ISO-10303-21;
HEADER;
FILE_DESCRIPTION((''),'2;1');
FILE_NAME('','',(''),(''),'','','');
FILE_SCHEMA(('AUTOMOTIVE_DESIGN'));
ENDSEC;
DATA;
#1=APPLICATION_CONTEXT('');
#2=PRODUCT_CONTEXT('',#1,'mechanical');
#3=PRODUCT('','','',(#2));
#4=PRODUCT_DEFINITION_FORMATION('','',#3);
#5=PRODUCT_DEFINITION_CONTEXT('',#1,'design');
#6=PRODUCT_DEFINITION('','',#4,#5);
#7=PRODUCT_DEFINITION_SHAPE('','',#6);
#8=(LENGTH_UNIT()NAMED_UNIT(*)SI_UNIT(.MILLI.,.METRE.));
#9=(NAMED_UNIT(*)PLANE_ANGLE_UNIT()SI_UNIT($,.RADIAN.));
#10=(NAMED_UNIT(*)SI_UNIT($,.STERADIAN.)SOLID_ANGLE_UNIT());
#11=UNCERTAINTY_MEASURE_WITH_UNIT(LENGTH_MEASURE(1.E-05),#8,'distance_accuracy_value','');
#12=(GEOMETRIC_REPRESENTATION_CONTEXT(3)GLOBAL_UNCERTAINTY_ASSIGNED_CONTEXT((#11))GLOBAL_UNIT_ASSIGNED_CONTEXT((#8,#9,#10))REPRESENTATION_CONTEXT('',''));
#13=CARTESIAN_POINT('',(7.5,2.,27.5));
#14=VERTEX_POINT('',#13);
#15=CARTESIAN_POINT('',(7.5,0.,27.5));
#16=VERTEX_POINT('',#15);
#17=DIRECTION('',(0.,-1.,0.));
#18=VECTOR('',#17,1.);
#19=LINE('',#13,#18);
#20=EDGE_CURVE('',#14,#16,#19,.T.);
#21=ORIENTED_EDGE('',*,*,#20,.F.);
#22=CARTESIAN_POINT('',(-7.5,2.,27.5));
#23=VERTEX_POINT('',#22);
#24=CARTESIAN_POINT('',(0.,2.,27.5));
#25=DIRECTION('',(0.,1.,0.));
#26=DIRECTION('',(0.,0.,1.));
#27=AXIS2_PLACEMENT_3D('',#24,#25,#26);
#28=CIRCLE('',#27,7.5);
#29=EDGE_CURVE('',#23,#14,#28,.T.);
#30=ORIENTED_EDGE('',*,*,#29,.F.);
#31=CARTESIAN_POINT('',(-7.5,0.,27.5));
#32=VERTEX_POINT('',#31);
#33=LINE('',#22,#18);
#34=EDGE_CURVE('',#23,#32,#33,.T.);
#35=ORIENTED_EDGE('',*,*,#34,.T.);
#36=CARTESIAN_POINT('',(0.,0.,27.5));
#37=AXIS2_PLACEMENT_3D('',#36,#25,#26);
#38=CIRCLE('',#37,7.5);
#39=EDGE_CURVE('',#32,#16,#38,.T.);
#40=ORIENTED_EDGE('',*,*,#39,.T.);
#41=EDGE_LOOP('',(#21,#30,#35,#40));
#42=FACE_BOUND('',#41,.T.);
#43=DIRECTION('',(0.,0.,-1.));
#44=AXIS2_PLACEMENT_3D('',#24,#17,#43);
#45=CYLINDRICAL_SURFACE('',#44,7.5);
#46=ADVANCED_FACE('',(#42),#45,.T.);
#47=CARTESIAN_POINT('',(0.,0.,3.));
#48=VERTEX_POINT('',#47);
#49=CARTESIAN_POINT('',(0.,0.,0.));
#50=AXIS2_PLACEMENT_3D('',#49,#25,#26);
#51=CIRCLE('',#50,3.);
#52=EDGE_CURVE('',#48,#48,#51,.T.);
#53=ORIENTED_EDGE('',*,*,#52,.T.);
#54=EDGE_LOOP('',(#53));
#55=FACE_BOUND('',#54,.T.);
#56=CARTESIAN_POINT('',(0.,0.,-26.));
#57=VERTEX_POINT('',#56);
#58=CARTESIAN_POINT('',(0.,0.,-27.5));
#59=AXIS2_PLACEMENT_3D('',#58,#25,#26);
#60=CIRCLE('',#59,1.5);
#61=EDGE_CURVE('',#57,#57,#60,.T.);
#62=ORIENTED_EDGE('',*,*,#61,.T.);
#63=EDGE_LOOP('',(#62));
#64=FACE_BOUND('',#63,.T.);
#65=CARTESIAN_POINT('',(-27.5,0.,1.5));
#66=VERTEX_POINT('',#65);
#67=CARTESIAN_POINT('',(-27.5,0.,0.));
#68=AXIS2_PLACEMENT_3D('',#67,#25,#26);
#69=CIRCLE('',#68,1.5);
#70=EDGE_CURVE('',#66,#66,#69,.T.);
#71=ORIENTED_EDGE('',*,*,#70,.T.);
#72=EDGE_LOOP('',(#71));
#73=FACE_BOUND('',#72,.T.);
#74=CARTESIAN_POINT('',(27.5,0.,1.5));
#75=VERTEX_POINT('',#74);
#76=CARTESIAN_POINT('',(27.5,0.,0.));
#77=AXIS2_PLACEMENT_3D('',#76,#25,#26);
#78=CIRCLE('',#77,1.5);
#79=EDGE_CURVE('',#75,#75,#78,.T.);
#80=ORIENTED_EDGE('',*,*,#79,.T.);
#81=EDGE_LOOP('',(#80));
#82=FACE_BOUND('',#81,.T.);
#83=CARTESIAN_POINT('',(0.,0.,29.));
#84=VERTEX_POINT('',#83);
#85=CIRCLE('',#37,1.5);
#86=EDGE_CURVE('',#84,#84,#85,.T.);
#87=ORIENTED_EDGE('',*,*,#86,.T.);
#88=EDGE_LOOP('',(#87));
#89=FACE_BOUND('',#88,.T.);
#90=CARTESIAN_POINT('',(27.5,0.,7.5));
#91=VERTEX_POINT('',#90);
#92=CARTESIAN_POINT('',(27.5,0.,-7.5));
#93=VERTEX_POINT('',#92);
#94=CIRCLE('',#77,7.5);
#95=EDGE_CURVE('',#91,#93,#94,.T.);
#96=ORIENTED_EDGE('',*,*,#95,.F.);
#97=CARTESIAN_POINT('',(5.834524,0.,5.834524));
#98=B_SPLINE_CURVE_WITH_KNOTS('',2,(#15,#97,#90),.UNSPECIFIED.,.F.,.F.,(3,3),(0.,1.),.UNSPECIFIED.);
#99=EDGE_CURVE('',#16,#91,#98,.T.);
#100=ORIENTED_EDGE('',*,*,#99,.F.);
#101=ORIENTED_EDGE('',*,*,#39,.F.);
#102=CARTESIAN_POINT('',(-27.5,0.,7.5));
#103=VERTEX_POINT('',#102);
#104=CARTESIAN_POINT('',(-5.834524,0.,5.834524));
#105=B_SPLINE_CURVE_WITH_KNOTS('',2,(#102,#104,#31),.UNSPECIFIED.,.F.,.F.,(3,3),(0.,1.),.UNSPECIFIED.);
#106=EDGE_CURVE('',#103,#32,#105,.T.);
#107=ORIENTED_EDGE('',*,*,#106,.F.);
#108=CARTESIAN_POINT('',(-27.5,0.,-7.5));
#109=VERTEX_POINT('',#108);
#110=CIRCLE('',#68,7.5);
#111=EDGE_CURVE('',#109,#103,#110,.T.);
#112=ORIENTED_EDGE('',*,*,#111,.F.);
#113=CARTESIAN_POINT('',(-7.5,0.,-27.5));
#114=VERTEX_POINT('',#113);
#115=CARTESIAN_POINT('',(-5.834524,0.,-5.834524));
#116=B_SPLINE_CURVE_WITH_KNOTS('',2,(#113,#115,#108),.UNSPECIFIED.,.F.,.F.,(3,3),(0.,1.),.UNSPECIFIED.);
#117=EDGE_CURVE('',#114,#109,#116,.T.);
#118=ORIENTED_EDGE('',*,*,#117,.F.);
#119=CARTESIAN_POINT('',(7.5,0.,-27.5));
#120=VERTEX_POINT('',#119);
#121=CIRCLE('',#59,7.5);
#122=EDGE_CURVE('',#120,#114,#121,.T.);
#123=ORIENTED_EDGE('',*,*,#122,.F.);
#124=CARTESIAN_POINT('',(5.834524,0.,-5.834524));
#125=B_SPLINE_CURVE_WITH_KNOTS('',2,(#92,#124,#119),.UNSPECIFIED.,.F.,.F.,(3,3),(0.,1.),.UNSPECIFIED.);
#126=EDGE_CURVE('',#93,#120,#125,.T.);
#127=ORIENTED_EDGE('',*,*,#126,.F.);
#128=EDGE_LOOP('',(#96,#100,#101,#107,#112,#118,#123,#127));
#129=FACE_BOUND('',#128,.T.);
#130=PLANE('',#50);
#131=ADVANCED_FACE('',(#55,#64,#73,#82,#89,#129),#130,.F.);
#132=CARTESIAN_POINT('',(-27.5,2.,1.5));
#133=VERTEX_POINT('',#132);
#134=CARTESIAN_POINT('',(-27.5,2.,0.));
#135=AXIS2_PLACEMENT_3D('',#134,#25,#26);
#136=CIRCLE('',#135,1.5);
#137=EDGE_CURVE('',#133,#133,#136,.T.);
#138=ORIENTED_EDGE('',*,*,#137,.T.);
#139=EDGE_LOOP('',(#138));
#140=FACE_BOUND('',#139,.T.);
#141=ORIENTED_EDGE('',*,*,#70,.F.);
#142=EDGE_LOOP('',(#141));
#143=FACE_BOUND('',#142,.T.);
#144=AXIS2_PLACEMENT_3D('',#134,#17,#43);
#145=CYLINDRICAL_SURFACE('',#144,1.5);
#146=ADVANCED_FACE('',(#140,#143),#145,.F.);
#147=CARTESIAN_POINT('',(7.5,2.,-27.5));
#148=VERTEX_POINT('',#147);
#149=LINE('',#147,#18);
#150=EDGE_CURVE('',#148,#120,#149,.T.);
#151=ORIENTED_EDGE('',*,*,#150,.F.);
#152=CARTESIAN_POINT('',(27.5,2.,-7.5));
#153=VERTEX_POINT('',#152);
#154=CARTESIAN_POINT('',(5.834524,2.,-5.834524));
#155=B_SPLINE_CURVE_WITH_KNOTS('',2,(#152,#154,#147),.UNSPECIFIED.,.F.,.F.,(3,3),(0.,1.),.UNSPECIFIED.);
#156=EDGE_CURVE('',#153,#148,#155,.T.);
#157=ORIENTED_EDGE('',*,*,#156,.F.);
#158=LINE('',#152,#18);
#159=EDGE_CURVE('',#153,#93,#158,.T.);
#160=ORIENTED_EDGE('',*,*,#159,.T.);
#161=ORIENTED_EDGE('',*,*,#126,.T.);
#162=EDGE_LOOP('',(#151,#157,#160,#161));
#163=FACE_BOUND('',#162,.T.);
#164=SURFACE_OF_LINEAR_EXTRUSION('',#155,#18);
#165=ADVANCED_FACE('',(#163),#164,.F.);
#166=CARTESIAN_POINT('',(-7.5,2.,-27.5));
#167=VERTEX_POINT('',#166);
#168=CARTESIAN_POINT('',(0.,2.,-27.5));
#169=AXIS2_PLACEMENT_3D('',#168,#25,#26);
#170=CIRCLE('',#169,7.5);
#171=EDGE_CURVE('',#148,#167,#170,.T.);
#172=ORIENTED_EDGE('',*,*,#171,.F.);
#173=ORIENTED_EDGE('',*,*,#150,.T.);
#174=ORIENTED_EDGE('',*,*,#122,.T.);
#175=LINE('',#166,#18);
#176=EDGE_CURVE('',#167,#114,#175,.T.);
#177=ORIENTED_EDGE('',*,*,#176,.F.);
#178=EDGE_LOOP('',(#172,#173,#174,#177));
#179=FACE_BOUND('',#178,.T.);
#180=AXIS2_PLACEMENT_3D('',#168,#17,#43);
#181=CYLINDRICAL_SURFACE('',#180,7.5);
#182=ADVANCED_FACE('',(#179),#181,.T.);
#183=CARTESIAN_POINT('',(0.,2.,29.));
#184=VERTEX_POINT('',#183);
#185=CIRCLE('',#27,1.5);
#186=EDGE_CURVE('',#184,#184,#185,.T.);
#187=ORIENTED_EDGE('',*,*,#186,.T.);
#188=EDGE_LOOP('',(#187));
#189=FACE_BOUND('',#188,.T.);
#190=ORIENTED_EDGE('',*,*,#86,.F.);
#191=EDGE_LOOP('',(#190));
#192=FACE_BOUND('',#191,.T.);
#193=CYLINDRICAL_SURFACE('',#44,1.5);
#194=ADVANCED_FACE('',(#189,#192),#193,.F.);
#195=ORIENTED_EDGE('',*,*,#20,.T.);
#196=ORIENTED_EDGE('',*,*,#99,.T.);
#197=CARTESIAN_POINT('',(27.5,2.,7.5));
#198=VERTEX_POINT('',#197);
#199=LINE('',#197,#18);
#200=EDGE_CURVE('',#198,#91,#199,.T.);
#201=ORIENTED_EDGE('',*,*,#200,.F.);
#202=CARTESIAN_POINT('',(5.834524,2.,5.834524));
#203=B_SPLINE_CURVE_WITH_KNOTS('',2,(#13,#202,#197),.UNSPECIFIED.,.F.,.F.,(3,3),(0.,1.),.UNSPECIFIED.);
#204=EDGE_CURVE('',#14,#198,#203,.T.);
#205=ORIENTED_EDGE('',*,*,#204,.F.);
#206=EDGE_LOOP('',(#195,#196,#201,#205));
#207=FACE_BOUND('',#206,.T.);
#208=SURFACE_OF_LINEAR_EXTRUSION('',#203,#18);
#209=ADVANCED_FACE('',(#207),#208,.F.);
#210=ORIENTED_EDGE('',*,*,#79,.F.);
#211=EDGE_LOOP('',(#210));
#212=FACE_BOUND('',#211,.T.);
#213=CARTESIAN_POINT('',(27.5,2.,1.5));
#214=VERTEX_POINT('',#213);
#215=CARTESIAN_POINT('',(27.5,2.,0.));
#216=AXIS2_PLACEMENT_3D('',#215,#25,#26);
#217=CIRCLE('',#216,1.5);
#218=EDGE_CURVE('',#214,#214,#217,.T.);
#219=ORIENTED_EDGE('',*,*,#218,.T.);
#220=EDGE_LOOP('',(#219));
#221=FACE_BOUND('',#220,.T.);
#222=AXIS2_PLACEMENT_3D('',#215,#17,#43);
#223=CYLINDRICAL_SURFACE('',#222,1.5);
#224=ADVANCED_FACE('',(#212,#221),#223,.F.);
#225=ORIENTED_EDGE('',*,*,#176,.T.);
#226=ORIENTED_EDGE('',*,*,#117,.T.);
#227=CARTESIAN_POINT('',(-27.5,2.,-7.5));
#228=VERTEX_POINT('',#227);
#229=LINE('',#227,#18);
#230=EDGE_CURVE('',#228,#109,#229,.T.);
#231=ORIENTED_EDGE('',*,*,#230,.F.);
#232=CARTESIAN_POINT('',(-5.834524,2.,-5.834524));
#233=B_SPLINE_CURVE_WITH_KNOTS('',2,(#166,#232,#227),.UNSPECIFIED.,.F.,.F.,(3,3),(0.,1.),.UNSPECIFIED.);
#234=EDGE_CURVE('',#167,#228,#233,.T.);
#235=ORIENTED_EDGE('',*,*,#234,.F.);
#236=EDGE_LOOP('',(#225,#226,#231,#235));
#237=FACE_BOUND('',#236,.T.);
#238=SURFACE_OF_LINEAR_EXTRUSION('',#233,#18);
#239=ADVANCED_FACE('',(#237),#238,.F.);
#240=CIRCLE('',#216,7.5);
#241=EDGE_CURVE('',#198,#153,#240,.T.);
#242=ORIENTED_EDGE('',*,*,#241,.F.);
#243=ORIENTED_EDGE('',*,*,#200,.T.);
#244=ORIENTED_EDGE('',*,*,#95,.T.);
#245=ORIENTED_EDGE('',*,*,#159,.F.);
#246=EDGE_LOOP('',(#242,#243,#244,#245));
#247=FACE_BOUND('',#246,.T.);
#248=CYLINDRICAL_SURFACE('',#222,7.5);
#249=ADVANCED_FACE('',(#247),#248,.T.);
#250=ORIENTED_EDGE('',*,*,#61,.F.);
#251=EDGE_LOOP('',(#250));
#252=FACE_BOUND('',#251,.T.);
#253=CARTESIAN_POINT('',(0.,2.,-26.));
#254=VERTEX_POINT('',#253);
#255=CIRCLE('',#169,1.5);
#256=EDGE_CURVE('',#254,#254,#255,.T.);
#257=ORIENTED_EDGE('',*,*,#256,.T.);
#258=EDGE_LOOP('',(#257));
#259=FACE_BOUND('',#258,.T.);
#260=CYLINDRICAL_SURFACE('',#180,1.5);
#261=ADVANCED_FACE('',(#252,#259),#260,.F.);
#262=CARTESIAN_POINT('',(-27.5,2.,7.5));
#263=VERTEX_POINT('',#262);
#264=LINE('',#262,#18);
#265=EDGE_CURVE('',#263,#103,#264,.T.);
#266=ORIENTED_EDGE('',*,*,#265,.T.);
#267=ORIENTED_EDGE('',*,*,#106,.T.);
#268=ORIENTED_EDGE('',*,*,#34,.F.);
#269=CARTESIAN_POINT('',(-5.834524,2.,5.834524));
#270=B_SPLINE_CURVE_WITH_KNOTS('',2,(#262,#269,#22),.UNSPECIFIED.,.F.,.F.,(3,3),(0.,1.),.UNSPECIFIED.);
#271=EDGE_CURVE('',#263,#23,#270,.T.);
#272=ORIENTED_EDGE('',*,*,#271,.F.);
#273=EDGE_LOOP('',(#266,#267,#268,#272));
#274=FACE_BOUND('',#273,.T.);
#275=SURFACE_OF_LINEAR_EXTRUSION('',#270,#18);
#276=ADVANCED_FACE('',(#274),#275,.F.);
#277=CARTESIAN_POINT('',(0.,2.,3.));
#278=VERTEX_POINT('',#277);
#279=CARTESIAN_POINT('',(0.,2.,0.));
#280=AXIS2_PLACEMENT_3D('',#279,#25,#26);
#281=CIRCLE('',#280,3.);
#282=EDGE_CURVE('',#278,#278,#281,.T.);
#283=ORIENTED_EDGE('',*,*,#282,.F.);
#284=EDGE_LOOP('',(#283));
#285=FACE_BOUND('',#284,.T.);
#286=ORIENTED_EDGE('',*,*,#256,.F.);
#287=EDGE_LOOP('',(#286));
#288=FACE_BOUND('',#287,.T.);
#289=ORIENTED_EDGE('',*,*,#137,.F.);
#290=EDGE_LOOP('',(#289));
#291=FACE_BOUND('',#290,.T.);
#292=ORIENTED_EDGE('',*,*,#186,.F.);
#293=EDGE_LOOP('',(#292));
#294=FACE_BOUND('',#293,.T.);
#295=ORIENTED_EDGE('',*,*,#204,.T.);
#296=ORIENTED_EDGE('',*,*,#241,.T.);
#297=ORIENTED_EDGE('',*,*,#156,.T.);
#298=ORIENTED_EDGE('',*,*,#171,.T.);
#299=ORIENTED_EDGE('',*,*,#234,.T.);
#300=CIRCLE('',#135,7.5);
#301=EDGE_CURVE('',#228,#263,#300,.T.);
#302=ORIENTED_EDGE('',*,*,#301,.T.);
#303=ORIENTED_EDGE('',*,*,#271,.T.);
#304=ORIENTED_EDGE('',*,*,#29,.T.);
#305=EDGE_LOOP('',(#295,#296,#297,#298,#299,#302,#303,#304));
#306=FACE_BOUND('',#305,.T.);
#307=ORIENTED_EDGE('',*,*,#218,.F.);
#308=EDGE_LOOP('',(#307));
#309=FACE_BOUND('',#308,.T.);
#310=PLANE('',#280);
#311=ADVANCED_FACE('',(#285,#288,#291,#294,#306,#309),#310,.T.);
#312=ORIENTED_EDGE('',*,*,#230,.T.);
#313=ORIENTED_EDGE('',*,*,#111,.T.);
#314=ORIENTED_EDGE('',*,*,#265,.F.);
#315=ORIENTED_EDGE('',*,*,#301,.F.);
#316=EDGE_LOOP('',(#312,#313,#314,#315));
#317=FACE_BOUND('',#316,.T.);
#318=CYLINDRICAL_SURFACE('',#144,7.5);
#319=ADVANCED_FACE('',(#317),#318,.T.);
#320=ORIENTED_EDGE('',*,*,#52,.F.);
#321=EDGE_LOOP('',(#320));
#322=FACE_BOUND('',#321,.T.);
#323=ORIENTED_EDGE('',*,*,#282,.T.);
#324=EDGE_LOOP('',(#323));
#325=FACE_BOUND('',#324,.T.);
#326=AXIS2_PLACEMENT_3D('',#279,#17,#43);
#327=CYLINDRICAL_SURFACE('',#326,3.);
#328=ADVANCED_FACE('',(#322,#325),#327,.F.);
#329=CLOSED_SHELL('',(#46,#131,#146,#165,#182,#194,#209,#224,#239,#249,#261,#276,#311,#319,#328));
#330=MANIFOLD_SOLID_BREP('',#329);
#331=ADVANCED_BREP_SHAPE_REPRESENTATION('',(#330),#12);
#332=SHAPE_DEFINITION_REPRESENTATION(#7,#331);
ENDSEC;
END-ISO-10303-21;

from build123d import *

# Parameters (mm, degrees)
SKETCH1_R           = 1.5
SKETCH1_R_2         = 3
BOSS_EXTRUDE1_DEPTH = 2


with BuildPart() as part:
    # Sketch1 → Boss-Extrude1 (new body)
    with BuildSketch(Plane(origin=(0, 0, 0), x_dir=(1, 0, 0), z_dir=(0, 1, 0))):
        with BuildLine():
            ThreePointArc((27.5, -7.5), (35, 0), (27.5, 7.5))
            add(Edge.make_bspline(
                [(27.5, 7.5), (5.834523779, 5.834523779), (7.5, 27.5)],
                knots=[0, 0, 0, 1, 1, 1], degree=2))
            ThreePointArc((7.5, 27.5), (0, 35), (-7.5, 27.5))
            add(Edge.make_bspline(
                [(-7.5, 27.5), (-5.834523779, 5.834523779), (-27.5, 7.5)],
                knots=[0, 0, 0, 1, 1, 1], degree=2))
            ThreePointArc((-27.5, 7.5), (-35, 0), (-27.5, -7.5))
            add(Edge.make_bspline(
                [(-27.5, -7.5), (-5.834523779, -5.834523779), (-7.5, -27.5)],
                knots=[0, 0, 0, 1, 1, 1], degree=2))
            ThreePointArc((-7.5, -27.5), (0, -35), (7.5, -27.5))
            add(Edge.make_bspline(
                [(7.5, -27.5), (5.834523779, -5.834523779), (27.5, -7.5)],
                knots=[0, 0, 0, 1, 1, 1], degree=2))
        make_face()
        with Locations(Location((0, 27.5, 0), (0, 0, 270))):
            Circle(SKETCH1_R, mode=Mode.SUBTRACT)
        with Locations(Location((-27.5, 0, 0), (0, 0, 270))):
            Circle(SKETCH1_R, mode=Mode.SUBTRACT)
        with Locations(Location((27.5, 0, 0), (0, 0, 270))):
            Circle(SKETCH1_R, mode=Mode.SUBTRACT)
        with Locations(Location((0, -27.5, 0), (0, 0, 270))):
            Circle(SKETCH1_R, mode=Mode.SUBTRACT)
        with Locations(Location((0, 0, 0), (0, 0, 270))):
            Circle(SKETCH1_R_2, mode=Mode.SUBTRACT)
    extrude(amount=BOSS_EXTRUDE1_DEPTH)


solid = part.part
